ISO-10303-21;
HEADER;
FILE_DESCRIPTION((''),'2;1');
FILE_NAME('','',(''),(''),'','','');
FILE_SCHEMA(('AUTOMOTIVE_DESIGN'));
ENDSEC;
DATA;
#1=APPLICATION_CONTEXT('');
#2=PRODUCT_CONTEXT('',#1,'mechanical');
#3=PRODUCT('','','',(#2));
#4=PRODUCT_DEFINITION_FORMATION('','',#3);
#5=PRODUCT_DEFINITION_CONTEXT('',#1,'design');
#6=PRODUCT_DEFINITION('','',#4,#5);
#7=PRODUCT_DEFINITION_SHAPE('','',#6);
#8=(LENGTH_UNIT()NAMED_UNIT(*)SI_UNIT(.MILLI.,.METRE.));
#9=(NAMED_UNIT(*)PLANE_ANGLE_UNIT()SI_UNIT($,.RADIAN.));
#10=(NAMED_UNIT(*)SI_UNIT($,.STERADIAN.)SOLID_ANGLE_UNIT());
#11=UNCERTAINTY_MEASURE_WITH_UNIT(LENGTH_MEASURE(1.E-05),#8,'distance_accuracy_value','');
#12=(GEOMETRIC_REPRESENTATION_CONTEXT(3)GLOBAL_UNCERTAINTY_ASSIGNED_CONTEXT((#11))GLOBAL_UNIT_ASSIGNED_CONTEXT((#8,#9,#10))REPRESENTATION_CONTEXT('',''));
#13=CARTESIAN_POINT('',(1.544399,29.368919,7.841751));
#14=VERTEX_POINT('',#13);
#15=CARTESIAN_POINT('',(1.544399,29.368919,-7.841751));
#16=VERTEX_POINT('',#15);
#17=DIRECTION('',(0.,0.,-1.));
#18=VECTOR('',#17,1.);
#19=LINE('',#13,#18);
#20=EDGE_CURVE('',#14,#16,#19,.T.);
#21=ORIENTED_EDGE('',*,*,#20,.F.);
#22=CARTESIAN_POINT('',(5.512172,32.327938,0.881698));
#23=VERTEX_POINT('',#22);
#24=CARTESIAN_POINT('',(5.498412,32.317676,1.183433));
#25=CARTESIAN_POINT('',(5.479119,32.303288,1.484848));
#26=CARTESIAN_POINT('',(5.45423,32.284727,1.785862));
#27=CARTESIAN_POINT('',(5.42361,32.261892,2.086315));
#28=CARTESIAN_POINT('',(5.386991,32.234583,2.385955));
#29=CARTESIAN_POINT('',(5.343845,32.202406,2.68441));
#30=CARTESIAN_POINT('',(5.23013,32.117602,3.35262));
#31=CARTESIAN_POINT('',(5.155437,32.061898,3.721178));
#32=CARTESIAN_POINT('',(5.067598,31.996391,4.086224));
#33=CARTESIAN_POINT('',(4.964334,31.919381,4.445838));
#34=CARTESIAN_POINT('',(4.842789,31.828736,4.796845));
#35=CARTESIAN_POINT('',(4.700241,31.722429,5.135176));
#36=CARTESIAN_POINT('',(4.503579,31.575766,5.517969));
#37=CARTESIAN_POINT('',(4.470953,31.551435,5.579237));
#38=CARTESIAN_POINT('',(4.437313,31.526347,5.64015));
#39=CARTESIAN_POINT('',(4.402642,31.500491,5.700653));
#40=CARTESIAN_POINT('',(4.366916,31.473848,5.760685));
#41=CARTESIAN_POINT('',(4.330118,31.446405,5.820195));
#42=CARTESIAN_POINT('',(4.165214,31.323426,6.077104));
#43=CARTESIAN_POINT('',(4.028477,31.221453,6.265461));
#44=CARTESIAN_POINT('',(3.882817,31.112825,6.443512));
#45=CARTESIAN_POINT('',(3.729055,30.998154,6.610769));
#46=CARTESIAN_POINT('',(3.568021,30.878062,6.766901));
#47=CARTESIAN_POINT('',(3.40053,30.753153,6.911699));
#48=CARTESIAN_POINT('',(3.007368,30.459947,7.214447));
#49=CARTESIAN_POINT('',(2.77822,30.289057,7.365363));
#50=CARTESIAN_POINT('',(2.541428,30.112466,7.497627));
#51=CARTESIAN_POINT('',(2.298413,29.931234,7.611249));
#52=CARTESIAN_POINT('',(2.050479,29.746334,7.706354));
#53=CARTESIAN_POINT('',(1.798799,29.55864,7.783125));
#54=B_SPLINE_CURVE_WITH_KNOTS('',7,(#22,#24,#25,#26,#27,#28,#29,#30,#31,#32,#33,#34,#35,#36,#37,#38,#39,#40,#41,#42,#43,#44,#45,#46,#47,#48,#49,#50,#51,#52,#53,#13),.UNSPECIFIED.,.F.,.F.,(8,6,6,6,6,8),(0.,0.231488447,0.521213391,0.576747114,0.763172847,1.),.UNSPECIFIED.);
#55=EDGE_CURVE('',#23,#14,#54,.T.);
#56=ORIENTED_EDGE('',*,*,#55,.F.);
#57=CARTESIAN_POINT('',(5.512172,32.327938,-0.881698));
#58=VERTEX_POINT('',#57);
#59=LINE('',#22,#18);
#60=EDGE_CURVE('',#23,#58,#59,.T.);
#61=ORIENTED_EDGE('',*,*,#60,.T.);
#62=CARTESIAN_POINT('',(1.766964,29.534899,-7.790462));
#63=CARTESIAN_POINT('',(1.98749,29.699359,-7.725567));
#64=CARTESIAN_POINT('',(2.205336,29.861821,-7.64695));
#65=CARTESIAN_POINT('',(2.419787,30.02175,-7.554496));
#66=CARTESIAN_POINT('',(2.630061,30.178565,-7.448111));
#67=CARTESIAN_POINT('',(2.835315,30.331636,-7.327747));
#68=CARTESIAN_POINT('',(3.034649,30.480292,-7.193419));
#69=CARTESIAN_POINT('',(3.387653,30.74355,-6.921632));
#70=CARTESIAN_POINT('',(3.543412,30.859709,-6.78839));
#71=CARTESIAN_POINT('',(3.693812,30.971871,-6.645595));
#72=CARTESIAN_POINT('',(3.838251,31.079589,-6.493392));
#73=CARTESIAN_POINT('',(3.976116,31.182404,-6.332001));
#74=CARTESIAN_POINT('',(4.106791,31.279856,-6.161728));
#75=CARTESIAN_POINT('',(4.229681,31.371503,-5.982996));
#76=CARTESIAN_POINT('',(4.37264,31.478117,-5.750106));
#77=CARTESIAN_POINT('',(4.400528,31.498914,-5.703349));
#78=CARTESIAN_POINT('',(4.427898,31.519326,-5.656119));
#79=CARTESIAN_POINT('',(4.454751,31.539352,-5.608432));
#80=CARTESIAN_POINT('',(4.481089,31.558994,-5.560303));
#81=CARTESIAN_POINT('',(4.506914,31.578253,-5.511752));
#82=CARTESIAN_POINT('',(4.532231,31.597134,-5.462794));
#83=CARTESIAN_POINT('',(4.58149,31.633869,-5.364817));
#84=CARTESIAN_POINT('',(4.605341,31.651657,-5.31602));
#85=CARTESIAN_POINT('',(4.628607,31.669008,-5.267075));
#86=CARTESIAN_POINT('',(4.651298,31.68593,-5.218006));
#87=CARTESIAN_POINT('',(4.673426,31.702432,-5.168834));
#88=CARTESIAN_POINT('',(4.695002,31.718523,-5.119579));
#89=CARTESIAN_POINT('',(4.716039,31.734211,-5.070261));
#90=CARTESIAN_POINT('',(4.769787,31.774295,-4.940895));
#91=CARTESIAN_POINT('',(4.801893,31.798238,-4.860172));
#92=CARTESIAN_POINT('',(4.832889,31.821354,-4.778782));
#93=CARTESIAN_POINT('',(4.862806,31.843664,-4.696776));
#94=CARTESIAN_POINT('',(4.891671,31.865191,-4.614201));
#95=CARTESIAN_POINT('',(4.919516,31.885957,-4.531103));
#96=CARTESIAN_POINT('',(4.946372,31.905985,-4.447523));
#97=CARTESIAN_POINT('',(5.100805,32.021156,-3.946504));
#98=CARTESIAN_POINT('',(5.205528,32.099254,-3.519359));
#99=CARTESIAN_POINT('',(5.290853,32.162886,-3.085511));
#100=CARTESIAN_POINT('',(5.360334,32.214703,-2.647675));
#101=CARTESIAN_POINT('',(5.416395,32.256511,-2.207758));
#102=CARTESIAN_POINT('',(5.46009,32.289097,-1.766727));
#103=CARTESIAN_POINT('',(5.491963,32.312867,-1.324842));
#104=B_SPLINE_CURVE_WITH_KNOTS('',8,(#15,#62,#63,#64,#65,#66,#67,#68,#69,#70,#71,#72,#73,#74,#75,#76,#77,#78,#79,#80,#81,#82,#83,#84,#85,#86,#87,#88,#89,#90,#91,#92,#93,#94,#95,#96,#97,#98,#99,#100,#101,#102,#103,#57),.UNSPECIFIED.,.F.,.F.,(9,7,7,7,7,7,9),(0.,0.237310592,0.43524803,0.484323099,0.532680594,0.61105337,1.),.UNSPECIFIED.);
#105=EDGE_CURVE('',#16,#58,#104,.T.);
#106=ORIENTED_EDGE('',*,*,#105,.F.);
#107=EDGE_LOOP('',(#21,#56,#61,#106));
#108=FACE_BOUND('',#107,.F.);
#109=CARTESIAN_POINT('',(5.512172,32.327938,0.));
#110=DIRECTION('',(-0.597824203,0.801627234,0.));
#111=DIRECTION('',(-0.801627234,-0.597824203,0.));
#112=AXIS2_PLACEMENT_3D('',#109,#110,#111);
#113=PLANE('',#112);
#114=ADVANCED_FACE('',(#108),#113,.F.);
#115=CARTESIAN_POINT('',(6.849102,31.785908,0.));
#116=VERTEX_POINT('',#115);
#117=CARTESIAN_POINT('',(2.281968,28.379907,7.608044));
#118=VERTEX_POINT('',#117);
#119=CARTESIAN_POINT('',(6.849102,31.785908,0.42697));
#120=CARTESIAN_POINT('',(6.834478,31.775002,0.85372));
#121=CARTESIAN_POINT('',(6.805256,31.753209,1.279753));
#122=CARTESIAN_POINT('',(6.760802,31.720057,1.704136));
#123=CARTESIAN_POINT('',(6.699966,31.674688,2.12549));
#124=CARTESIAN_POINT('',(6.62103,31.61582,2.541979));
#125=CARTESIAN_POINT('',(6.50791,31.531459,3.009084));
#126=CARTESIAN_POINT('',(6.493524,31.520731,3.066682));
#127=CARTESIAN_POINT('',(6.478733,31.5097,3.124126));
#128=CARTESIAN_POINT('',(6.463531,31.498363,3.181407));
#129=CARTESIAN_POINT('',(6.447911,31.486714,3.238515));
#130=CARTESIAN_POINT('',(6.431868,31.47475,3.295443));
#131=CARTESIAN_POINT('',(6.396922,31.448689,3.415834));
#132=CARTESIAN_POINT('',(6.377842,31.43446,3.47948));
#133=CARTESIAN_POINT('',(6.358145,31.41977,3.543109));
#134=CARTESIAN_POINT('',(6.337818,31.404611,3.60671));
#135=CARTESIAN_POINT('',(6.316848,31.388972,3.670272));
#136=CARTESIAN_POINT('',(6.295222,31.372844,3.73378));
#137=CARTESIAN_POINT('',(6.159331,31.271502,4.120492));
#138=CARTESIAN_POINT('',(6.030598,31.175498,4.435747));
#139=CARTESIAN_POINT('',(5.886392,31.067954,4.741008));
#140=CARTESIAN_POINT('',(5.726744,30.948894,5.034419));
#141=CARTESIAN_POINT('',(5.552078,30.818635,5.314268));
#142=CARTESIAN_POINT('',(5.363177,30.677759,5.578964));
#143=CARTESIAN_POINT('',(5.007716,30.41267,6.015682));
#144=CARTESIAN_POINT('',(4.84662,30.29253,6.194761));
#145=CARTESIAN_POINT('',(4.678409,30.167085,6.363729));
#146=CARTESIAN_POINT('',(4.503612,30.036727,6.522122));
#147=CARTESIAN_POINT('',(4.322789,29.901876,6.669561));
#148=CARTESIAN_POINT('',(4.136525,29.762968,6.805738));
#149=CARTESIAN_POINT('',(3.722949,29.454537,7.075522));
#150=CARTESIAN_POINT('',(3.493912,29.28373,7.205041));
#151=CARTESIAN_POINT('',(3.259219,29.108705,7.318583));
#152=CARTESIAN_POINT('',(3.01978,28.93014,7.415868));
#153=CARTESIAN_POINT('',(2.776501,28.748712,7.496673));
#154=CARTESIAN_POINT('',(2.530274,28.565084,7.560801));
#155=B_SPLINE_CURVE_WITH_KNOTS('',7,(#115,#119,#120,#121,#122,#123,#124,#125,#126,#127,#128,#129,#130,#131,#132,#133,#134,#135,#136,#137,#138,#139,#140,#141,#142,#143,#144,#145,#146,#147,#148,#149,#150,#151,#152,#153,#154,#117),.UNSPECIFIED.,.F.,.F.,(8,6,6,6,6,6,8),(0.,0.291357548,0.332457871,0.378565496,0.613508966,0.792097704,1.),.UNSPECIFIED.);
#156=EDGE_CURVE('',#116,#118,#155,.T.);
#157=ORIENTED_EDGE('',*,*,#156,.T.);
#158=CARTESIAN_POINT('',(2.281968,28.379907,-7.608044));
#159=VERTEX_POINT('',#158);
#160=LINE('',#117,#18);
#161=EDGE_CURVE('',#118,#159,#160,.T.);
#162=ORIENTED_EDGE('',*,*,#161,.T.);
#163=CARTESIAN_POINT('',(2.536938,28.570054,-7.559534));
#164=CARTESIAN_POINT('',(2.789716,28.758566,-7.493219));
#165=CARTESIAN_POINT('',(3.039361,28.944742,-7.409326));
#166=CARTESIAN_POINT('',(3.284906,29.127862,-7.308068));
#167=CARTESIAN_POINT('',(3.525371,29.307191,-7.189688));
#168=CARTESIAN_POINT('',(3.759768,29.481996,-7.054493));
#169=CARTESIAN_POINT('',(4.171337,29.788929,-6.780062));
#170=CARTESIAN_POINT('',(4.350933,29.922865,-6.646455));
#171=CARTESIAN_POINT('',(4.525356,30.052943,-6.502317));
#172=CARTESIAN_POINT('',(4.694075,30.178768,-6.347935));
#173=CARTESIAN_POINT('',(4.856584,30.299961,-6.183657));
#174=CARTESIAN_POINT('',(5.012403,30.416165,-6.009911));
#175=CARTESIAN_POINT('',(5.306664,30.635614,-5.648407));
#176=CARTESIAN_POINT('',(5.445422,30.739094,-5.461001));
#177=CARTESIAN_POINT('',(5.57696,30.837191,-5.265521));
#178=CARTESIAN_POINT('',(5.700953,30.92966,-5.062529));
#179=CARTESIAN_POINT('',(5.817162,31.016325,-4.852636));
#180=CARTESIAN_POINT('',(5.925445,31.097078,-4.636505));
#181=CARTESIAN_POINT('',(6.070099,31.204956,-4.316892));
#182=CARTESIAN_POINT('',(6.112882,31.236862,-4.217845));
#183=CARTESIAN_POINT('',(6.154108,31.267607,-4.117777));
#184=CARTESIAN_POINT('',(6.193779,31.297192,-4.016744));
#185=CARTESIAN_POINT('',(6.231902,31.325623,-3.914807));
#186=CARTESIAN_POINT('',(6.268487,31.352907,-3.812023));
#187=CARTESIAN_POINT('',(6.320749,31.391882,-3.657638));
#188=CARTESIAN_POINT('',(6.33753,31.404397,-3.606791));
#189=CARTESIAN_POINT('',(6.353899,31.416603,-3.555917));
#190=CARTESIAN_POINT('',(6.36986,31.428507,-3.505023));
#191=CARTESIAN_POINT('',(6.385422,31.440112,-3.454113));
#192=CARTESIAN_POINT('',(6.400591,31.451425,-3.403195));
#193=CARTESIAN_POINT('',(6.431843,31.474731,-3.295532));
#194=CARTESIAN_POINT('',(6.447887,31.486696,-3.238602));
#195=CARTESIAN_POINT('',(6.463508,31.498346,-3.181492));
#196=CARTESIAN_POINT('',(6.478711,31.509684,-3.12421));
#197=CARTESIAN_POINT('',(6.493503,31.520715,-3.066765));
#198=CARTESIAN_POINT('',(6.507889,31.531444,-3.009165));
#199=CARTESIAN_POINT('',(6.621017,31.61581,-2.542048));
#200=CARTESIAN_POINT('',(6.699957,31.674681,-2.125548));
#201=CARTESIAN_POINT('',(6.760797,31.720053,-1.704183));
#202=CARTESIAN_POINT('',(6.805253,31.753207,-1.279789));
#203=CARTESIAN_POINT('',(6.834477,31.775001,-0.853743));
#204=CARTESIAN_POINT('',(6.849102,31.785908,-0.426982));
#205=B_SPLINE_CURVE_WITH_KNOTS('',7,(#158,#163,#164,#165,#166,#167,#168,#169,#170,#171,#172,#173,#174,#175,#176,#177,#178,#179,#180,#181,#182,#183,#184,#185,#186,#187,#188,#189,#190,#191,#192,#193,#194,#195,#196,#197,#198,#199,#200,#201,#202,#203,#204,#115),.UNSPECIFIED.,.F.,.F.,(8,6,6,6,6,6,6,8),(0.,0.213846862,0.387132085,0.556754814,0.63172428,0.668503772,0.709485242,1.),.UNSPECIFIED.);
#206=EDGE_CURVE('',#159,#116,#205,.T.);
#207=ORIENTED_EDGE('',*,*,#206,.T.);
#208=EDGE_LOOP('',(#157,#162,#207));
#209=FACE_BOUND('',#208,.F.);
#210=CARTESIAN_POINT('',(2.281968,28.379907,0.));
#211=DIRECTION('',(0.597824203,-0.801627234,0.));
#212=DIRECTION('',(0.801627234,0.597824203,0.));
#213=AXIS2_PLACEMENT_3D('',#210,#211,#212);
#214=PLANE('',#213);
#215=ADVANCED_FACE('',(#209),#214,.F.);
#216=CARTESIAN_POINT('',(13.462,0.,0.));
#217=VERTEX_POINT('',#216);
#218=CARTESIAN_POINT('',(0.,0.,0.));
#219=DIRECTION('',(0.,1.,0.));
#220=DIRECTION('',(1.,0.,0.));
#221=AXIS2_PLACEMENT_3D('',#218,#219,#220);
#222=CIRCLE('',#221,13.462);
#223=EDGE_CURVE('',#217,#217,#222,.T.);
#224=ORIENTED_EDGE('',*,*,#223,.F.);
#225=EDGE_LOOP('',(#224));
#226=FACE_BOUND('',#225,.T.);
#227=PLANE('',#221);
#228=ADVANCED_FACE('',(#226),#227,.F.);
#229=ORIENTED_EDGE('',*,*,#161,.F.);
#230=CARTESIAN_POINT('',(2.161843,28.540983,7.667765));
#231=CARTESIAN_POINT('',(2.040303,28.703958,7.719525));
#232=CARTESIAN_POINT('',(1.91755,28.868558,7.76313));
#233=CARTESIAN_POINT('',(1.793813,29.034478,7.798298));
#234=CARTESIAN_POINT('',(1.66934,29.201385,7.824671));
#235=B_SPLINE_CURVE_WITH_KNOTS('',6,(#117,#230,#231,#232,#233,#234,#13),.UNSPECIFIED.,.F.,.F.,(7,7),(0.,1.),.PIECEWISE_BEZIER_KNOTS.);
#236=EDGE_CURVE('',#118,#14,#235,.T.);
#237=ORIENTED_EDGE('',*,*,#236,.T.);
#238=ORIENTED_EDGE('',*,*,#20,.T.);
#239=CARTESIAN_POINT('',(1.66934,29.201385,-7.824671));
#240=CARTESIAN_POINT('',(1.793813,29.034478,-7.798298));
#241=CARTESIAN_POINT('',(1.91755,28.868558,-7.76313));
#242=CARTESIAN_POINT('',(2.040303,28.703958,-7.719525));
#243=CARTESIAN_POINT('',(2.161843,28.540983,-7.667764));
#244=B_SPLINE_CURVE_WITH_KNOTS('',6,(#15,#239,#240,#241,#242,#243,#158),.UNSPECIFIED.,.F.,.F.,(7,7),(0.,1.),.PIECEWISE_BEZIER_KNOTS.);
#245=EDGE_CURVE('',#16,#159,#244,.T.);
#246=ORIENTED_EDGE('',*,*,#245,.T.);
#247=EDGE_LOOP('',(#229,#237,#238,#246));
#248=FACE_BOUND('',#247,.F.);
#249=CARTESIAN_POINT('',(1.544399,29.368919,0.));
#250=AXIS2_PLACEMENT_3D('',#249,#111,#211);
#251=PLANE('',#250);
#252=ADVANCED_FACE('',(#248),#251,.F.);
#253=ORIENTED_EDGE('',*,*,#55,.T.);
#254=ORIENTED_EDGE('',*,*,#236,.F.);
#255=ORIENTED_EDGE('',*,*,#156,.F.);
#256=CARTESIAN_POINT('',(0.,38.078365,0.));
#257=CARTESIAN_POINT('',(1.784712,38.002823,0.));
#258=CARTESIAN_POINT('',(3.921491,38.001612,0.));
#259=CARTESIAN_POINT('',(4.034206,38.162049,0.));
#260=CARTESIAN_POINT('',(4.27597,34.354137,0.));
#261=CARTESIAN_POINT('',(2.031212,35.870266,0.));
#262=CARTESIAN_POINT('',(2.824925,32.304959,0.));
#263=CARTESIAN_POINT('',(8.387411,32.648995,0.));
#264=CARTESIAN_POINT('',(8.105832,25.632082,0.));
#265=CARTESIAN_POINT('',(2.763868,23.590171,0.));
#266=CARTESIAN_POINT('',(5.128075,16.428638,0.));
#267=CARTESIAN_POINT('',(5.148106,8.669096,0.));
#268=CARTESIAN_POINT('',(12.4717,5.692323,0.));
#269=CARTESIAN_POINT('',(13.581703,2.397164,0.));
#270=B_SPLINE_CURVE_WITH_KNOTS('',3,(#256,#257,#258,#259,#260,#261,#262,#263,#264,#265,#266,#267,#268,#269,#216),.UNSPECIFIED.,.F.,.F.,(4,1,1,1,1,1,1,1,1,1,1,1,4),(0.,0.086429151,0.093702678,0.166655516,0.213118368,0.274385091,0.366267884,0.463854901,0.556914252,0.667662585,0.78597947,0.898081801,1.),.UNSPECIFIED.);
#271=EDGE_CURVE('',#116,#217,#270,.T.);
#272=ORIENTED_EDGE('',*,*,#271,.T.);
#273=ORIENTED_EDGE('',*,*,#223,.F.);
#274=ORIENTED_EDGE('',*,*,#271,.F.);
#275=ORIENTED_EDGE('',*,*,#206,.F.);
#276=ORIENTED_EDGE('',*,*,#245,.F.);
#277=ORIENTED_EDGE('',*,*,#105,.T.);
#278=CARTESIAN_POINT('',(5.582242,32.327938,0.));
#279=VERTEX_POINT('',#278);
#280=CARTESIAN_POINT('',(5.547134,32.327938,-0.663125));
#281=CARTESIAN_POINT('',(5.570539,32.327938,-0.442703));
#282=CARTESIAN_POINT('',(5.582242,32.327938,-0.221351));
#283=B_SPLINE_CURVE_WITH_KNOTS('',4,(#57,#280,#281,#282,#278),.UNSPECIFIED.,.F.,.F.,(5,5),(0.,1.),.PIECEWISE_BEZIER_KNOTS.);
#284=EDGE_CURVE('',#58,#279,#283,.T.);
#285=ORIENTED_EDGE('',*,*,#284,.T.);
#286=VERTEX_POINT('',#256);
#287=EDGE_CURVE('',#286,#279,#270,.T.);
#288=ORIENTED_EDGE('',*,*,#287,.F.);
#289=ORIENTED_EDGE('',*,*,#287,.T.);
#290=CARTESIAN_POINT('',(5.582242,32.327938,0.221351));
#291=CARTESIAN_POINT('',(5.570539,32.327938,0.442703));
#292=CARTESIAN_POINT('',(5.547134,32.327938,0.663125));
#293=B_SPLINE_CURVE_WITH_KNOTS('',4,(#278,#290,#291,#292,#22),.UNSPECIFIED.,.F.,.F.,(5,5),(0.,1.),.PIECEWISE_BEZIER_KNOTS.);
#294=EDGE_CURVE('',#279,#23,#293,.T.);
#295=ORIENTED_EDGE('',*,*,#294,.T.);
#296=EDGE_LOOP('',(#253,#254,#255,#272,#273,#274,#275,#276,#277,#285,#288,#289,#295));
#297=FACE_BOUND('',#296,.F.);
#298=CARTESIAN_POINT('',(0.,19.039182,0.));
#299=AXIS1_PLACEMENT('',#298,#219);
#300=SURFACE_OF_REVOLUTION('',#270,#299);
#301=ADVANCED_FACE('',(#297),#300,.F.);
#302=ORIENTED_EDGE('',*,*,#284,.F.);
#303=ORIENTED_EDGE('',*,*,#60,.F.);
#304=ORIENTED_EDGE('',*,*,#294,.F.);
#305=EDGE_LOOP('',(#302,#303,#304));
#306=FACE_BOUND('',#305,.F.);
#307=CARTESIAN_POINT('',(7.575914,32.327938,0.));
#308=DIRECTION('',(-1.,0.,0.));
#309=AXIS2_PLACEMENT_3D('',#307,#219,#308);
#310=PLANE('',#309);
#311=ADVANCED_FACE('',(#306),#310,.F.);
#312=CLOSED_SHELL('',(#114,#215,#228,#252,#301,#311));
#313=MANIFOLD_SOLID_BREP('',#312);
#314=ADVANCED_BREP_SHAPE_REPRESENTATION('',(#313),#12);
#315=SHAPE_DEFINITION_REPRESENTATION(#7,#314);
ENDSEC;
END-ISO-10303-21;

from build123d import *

# Parameters (mm, degrees)
F3_DEPTH = 25.4
F4_DEPTH = 25.4


with BuildPart() as f1:
    # F0 (on Top) → F1 (revolve)
    with BuildSketch(Plane.XY):
        with BuildLine():
            Line((0, 38.0783647754), (0, 0))
            Line((0, 0), (13.462, 0))
            add(Edge.make_bspline(
                [(0, 38.0783647754), (1.7847121098, 38.0028234364), (3.9214905323, 38.0016117272), (4.0342055351, 38.162049093), (4.2759704446, 34.3541366776), (2.0312120985, 35.8702656477), (2.8249253872, 32.3049585777), (8.3874112165, 32.6489950343), (8.1058320884, 25.6320821721), (2.7638682901, 23.5901713427), (5.12807472, 16.4286382177), (5.1481060819, 8.6690962152), (12.4716998617, 5.692322643), (13.5817032908, 2.3971635189), (13.462, 0)],
                knots=[0, 0, 0, 0, 0.086429151, 0.0937026785, 0.1666555161, 0.2131183676, 0.2743850906, 0.3662678841, 0.4638549012, 0.5569142524, 0.6676625853, 0.78597947, 0.898081801, 1, 1, 1, 1], degree=3))
        make_face()
    revolve(axis=Axis((0, 19.0391823877, 0), (0, 1, 0)))

    # F2 (on face) → F3 (cut)
    with BuildSketch(Plane.XY):
        Polygon((7.5759143831, 32.3279379144), (5.5121719461, 32.3279379144), (1.5443994233, 29.3689186297), (2.2819681285, 28.3799068794), align=None)
    extrude(amount=-F3_DEPTH, mode=Mode.SUBTRACT)

    # F2 (on face) → F4 (cut)
    with BuildSketch(Plane.XY):
        Polygon((7.5759143831, 32.3279379144), (5.5121719461, 32.3279379144), (1.5443994233, 29.3689186297), (2.2819681285, 28.3799068794), align=None)
    extrude(amount=F4_DEPTH, mode=Mode.SUBTRACT)


solid = f1.part
